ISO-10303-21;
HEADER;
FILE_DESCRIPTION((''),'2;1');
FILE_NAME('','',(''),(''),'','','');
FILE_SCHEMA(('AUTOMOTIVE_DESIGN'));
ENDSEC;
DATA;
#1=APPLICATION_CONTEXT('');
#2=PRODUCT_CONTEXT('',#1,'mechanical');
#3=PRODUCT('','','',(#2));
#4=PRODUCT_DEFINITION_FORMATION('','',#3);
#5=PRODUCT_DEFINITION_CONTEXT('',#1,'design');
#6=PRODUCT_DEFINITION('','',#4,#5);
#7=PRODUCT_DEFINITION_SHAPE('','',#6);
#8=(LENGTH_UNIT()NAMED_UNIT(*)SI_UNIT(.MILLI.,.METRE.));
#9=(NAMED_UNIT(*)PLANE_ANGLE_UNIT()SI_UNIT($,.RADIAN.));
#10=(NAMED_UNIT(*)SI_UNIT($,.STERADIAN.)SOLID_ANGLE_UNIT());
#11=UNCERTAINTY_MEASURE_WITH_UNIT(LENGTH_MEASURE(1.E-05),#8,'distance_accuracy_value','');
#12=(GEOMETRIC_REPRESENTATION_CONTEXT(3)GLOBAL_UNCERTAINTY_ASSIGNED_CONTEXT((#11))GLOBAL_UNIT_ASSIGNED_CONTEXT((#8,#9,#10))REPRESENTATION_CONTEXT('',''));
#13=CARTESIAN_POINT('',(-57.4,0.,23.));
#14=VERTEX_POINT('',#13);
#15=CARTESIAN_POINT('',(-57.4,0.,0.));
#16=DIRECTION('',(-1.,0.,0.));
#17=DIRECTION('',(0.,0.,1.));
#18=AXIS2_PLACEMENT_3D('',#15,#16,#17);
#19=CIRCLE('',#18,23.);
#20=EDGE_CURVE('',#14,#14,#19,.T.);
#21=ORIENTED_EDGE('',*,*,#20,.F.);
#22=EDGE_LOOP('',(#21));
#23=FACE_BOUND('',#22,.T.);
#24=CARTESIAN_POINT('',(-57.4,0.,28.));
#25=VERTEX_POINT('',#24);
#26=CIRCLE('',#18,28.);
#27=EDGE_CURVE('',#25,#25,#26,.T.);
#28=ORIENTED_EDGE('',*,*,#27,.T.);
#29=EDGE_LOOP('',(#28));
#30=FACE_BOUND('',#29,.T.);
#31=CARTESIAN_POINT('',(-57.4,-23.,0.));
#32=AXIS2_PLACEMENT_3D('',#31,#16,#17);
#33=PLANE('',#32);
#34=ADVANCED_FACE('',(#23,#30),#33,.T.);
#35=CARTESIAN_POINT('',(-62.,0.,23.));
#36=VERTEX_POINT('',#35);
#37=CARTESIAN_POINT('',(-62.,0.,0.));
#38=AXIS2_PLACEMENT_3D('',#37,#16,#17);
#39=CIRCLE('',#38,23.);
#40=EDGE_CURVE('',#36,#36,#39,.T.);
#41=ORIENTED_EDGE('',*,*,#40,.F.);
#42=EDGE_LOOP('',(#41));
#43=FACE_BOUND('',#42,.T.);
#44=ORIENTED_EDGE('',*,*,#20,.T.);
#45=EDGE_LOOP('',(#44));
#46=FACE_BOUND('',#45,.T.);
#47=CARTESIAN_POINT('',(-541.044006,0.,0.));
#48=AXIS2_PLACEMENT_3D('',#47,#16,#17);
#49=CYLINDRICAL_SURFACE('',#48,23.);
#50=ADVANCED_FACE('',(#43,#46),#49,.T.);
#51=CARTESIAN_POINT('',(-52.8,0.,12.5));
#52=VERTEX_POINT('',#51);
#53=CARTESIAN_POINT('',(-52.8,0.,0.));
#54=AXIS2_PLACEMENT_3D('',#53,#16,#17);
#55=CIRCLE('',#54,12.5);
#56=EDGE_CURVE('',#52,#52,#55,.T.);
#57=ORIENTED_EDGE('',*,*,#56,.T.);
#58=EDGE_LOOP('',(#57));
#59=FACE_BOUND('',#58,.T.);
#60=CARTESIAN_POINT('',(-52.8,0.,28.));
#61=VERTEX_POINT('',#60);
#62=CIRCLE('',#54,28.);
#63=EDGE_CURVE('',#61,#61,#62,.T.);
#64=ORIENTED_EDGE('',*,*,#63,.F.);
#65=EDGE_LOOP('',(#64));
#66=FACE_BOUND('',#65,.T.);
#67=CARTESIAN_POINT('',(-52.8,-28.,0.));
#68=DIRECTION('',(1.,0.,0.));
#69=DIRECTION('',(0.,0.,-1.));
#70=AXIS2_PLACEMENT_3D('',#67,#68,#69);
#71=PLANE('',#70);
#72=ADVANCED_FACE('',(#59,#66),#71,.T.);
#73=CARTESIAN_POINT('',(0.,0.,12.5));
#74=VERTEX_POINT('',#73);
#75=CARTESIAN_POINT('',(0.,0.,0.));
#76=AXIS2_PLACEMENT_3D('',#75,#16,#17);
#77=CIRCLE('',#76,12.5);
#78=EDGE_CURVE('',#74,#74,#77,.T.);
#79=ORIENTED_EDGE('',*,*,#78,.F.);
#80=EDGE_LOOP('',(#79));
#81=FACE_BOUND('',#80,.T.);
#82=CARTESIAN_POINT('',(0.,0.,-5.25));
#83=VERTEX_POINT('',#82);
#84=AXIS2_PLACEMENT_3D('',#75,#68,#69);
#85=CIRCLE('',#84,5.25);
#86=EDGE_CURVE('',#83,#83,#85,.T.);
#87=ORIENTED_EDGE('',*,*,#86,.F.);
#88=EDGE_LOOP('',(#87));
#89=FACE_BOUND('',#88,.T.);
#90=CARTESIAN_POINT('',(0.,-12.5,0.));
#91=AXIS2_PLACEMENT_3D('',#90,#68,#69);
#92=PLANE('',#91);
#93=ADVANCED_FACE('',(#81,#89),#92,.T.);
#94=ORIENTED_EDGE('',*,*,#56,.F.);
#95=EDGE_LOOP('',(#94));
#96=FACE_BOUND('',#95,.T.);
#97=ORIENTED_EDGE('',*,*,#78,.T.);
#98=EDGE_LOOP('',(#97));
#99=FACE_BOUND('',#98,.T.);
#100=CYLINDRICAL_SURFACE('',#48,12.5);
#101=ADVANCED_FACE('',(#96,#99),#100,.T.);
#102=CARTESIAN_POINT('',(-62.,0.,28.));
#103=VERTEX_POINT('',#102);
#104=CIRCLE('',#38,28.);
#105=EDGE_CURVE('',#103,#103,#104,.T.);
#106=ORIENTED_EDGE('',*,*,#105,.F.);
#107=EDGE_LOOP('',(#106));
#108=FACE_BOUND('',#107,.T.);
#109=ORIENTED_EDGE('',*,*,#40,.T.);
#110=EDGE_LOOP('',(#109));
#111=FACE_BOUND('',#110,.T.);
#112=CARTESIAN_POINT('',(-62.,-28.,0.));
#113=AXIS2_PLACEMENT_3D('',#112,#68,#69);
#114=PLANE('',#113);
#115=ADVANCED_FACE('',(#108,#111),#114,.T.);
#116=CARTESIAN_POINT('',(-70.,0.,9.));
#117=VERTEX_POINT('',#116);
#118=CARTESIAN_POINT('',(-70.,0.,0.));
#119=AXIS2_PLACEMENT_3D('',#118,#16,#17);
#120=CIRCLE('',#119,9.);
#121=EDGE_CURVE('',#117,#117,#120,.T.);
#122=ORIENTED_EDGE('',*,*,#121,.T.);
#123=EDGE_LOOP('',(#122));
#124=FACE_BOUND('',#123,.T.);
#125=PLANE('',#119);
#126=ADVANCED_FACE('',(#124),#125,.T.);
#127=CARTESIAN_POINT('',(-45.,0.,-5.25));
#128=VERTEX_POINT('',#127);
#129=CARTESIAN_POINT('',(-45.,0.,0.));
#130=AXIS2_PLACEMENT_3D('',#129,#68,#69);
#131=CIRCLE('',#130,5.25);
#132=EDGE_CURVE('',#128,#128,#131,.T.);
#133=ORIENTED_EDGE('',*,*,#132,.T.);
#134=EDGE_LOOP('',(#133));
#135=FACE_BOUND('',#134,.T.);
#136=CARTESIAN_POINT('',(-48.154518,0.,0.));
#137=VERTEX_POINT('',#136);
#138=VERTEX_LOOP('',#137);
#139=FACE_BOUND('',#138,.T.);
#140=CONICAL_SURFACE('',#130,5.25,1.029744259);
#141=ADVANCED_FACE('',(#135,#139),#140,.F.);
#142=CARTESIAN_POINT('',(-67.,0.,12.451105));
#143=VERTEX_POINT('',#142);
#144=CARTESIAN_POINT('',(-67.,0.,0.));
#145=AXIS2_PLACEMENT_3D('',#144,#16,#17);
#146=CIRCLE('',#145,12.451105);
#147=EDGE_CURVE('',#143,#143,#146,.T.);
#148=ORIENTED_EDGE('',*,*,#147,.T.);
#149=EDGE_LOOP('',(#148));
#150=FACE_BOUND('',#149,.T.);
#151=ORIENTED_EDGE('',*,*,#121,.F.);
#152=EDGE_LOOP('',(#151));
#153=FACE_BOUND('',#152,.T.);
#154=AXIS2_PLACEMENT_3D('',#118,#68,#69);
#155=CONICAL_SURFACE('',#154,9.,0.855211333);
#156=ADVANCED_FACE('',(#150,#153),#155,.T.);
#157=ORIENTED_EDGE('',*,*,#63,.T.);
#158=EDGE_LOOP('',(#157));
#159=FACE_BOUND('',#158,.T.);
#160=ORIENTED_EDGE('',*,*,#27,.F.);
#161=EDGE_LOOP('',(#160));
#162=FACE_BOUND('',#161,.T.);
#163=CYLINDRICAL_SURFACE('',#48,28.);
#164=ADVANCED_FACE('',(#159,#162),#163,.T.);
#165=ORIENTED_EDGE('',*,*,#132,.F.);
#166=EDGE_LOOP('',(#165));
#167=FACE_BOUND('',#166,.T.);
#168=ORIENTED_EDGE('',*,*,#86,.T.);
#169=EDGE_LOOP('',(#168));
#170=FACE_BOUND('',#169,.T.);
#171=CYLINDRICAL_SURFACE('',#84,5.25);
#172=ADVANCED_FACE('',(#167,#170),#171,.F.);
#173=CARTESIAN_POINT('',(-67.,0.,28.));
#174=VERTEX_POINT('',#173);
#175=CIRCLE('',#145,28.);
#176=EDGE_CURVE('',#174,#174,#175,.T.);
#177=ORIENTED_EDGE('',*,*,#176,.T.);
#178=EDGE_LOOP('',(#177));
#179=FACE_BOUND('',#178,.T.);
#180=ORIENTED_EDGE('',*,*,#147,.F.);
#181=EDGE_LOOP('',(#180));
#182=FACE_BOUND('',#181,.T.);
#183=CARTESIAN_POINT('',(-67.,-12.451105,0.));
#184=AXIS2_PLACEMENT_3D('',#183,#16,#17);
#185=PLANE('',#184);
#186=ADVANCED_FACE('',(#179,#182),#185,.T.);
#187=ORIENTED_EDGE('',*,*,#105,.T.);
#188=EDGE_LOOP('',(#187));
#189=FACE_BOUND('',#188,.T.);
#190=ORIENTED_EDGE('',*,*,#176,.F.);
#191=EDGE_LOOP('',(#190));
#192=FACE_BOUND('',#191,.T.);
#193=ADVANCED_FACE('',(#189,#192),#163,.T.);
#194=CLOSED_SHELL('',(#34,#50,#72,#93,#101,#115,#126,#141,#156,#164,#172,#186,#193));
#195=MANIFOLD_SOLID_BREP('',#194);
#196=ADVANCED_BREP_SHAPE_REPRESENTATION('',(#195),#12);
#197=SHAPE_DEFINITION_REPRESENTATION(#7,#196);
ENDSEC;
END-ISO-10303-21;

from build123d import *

# Parameters (mm, degrees)
M12X1_51_D     = 10.5
M12X1_51_DEPTH = 45
M12X1_51_TIP   = 3.15451825


with BuildPart() as part:
    # Эскиз1 → Повернуть1 (revolve)
    with BuildSketch(Plane.XY, mode=Mode.PRIVATE) as revolve_1_sk:
        Polygon((0, 0), (-70, 0), (-70, -9), (-67, -12.451105222), (-67, -28), (-62, -28), (-62, -23), (-57.4, -23), (-57.4, -28), (-52.8, -28), (-52.8, -12.5), (0, -12.5), align=None)
    revolve(revolve_1_sk.sketch.rotate(Axis((-541.044005746, 0, 0), (1, 0, 0)), 270), axis=Axis((-541.044005746, 0, 0), (1, 0, 0)))

    # Сверление под метчик M12x1.51
    with Locations(Plane(origin=(0, 0, 0), x_dir=(0, 0, 1), z_dir=(1, 0, 0))):
        with Locations((0, 0)):
            Hole(M12X1_51_D / 2, depth=M12X1_51_DEPTH)
            with Locations((0, 0, -(M12X1_51_DEPTH + M12X1_51_TIP / 2))):  # 118° drill point
                Cone(0, M12X1_51_D / 2, M12X1_51_TIP, mode=Mode.SUBTRACT)


solid = part.part
